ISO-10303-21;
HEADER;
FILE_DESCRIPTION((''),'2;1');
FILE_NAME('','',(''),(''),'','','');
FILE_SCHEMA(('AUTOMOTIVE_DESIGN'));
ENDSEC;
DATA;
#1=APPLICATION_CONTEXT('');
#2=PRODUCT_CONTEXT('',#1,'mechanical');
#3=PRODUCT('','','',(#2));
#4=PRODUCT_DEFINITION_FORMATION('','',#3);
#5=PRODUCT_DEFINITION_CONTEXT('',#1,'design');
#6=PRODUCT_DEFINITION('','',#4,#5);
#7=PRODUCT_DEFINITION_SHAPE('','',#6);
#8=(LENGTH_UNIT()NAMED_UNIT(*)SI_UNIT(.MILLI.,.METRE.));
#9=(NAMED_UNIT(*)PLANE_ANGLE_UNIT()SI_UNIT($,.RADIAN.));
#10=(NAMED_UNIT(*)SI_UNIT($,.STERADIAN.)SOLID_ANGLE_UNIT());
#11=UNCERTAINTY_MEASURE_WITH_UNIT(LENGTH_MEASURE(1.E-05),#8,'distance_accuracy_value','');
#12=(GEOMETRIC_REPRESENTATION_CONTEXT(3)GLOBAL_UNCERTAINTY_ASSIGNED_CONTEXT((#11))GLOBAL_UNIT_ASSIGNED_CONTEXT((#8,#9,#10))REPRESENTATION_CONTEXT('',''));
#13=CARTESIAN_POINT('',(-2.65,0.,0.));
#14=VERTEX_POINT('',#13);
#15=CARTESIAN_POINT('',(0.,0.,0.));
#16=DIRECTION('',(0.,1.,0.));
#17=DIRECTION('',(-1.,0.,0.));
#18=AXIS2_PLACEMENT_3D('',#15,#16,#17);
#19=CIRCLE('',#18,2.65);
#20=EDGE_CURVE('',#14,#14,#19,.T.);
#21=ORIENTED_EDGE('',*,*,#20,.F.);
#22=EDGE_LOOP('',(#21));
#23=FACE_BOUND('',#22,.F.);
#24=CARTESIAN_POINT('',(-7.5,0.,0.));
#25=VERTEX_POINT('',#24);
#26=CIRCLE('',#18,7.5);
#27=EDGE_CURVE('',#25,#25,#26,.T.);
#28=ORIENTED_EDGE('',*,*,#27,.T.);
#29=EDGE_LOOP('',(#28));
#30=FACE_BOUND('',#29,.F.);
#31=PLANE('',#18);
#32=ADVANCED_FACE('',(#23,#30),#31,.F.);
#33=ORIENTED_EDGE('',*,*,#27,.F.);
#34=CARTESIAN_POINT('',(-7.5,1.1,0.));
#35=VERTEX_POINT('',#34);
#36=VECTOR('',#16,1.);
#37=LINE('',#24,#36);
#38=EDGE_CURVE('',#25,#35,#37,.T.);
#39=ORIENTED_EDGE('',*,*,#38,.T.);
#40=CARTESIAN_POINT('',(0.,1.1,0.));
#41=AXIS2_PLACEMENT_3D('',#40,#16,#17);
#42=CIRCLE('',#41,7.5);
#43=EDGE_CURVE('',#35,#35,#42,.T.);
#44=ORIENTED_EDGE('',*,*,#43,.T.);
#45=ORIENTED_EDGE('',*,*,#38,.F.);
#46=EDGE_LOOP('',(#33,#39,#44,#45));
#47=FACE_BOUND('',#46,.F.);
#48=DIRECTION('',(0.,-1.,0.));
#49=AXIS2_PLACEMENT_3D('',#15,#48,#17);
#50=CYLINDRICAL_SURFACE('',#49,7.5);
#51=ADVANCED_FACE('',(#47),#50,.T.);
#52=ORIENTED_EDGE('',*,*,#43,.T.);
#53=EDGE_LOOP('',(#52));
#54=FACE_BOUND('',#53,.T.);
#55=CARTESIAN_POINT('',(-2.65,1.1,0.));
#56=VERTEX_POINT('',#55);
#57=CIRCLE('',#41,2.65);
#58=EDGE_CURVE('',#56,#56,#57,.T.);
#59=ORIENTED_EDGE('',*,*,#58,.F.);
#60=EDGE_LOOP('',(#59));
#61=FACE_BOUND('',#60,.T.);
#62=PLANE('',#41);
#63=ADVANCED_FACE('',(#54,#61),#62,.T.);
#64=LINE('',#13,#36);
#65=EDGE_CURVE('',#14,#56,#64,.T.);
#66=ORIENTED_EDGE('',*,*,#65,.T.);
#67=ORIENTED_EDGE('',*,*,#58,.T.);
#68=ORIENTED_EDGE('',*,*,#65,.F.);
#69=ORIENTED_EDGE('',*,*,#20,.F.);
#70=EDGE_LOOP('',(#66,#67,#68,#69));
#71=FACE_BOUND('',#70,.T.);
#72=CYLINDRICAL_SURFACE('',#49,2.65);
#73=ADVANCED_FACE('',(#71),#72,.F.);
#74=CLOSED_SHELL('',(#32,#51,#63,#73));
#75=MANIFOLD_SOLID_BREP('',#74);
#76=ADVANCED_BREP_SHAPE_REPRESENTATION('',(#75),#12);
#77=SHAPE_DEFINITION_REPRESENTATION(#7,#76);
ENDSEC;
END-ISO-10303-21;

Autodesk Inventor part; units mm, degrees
ref_plane "YZ Plane" through (0, 0, 0) normal (1, 0, 0) x (0, 1, 0)
ref_plane "XZ Plane" through (0, 0, 0) normal (0, 1, 0) x (-1, 0, 0)
ref_plane "XY Plane" through (0, 0, 0) normal (0, 0, 1) x (1, 0, 0)
sketch "Sketch1" plane through (0, 0, 0) normal (0, 1, 0) x (-1, 0, 0)
  circle A0 centre (0, 0) radius 2.65
  circle A1 centre (0, 0) radius 7.5
  dimension "d0" = 5.3
  dimension "d1" = 15
extrude "Extrusion1" add sketch "Sketch1" along normal blind 1.1
properties part number "M5FenderWasher"
